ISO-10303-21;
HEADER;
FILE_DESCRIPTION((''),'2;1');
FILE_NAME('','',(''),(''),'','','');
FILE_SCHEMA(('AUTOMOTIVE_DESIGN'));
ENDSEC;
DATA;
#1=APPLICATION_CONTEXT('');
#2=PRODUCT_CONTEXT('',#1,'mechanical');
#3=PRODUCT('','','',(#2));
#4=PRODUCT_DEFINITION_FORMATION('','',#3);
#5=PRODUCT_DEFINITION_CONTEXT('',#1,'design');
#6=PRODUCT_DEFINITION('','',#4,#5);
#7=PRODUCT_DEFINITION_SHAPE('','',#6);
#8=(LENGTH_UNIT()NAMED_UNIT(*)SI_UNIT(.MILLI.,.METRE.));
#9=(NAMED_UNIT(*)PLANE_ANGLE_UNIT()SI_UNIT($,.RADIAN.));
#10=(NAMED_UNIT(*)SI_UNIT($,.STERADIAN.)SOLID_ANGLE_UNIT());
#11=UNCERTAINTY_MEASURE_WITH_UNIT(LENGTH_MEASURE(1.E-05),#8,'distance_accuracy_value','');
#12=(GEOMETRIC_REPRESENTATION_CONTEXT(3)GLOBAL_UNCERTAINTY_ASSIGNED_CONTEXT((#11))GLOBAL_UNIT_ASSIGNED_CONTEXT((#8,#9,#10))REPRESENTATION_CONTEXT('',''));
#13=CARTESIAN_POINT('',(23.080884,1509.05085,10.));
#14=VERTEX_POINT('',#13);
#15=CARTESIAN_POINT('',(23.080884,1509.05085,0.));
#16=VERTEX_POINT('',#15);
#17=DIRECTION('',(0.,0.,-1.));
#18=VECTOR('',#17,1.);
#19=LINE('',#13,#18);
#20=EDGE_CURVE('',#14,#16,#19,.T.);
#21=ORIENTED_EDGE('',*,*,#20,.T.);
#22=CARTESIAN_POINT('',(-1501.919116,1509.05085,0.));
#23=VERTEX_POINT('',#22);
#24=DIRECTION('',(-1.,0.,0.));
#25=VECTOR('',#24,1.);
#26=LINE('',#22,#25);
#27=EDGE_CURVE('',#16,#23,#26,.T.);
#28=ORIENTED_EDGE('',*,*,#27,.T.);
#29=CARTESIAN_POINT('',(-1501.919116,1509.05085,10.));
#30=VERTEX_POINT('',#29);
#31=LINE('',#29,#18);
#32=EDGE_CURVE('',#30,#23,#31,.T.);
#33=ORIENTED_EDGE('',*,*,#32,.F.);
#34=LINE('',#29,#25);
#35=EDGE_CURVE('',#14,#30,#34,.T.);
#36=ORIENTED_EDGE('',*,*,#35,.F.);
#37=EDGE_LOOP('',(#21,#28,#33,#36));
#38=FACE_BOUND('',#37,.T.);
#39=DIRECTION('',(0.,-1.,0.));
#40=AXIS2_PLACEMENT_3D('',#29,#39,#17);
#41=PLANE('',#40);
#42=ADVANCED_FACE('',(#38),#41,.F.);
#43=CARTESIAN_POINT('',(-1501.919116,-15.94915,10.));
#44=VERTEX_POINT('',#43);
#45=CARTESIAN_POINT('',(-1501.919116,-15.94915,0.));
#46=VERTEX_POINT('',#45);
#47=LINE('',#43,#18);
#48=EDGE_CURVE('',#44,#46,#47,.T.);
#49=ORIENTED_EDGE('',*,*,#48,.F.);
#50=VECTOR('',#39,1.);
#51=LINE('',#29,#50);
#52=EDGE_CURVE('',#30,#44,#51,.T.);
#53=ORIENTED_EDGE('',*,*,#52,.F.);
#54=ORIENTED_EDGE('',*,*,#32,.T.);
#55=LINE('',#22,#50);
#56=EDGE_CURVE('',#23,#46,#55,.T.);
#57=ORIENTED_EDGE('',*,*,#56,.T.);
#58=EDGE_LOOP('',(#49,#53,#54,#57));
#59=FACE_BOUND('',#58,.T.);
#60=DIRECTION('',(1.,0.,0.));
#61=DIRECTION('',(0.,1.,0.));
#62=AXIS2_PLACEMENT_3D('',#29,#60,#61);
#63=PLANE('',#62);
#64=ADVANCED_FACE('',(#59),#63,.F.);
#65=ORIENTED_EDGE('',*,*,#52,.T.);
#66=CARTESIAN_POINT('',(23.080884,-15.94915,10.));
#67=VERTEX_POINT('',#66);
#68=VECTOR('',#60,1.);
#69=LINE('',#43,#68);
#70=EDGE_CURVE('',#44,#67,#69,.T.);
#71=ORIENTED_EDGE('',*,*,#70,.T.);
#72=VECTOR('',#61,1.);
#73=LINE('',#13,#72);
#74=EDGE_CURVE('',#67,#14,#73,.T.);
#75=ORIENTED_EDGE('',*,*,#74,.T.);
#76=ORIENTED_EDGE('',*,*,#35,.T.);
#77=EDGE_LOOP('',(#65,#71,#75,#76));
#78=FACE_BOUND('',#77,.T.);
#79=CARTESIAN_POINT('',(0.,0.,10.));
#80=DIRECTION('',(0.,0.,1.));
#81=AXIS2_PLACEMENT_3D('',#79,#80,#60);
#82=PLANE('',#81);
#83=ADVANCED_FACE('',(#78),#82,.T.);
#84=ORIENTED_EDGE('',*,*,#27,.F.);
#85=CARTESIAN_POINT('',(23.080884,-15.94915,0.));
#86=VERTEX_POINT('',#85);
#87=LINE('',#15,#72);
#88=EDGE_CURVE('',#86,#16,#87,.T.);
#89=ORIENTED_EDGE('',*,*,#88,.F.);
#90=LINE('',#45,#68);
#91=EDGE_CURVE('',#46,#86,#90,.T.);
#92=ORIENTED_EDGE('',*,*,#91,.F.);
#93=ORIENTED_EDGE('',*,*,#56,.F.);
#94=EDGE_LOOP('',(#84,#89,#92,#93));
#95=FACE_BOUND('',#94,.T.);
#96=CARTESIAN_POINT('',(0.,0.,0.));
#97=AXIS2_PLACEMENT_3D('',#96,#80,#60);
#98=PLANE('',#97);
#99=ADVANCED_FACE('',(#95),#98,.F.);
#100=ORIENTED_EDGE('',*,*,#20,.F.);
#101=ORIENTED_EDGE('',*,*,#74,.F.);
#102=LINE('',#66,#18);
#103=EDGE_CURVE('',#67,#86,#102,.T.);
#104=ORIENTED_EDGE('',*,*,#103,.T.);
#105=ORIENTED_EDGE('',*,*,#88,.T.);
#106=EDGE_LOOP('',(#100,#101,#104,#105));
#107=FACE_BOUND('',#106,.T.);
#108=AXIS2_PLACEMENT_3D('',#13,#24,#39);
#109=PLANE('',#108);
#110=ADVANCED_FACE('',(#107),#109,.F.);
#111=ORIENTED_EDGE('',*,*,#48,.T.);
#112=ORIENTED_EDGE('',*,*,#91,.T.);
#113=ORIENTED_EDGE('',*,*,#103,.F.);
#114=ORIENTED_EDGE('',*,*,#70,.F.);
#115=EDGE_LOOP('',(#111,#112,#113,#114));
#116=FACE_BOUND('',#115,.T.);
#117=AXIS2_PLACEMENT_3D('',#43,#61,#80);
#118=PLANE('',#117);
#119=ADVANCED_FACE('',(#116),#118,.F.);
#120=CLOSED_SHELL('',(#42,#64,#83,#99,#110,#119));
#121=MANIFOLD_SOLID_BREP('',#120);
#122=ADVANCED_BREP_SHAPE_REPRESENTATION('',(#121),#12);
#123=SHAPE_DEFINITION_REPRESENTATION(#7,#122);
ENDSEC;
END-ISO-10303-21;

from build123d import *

# Parameters (mm, degrees)
SKETCH_1_W      = 1525
SKETCH_1_H      = 1525
EXTRUDE_1_DEPTH = 10


with BuildPart() as part:
    # Эскиз1 → Бобышка-Вытянуть1 (new body)
    with BuildSketch(Plane.XY):
        with Locations((-739.419116479, 746.550850151)):
            Rectangle(SKETCH_1_W, SKETCH_1_H)
    extrude(amount=EXTRUDE_1_DEPTH)


solid = part.part
